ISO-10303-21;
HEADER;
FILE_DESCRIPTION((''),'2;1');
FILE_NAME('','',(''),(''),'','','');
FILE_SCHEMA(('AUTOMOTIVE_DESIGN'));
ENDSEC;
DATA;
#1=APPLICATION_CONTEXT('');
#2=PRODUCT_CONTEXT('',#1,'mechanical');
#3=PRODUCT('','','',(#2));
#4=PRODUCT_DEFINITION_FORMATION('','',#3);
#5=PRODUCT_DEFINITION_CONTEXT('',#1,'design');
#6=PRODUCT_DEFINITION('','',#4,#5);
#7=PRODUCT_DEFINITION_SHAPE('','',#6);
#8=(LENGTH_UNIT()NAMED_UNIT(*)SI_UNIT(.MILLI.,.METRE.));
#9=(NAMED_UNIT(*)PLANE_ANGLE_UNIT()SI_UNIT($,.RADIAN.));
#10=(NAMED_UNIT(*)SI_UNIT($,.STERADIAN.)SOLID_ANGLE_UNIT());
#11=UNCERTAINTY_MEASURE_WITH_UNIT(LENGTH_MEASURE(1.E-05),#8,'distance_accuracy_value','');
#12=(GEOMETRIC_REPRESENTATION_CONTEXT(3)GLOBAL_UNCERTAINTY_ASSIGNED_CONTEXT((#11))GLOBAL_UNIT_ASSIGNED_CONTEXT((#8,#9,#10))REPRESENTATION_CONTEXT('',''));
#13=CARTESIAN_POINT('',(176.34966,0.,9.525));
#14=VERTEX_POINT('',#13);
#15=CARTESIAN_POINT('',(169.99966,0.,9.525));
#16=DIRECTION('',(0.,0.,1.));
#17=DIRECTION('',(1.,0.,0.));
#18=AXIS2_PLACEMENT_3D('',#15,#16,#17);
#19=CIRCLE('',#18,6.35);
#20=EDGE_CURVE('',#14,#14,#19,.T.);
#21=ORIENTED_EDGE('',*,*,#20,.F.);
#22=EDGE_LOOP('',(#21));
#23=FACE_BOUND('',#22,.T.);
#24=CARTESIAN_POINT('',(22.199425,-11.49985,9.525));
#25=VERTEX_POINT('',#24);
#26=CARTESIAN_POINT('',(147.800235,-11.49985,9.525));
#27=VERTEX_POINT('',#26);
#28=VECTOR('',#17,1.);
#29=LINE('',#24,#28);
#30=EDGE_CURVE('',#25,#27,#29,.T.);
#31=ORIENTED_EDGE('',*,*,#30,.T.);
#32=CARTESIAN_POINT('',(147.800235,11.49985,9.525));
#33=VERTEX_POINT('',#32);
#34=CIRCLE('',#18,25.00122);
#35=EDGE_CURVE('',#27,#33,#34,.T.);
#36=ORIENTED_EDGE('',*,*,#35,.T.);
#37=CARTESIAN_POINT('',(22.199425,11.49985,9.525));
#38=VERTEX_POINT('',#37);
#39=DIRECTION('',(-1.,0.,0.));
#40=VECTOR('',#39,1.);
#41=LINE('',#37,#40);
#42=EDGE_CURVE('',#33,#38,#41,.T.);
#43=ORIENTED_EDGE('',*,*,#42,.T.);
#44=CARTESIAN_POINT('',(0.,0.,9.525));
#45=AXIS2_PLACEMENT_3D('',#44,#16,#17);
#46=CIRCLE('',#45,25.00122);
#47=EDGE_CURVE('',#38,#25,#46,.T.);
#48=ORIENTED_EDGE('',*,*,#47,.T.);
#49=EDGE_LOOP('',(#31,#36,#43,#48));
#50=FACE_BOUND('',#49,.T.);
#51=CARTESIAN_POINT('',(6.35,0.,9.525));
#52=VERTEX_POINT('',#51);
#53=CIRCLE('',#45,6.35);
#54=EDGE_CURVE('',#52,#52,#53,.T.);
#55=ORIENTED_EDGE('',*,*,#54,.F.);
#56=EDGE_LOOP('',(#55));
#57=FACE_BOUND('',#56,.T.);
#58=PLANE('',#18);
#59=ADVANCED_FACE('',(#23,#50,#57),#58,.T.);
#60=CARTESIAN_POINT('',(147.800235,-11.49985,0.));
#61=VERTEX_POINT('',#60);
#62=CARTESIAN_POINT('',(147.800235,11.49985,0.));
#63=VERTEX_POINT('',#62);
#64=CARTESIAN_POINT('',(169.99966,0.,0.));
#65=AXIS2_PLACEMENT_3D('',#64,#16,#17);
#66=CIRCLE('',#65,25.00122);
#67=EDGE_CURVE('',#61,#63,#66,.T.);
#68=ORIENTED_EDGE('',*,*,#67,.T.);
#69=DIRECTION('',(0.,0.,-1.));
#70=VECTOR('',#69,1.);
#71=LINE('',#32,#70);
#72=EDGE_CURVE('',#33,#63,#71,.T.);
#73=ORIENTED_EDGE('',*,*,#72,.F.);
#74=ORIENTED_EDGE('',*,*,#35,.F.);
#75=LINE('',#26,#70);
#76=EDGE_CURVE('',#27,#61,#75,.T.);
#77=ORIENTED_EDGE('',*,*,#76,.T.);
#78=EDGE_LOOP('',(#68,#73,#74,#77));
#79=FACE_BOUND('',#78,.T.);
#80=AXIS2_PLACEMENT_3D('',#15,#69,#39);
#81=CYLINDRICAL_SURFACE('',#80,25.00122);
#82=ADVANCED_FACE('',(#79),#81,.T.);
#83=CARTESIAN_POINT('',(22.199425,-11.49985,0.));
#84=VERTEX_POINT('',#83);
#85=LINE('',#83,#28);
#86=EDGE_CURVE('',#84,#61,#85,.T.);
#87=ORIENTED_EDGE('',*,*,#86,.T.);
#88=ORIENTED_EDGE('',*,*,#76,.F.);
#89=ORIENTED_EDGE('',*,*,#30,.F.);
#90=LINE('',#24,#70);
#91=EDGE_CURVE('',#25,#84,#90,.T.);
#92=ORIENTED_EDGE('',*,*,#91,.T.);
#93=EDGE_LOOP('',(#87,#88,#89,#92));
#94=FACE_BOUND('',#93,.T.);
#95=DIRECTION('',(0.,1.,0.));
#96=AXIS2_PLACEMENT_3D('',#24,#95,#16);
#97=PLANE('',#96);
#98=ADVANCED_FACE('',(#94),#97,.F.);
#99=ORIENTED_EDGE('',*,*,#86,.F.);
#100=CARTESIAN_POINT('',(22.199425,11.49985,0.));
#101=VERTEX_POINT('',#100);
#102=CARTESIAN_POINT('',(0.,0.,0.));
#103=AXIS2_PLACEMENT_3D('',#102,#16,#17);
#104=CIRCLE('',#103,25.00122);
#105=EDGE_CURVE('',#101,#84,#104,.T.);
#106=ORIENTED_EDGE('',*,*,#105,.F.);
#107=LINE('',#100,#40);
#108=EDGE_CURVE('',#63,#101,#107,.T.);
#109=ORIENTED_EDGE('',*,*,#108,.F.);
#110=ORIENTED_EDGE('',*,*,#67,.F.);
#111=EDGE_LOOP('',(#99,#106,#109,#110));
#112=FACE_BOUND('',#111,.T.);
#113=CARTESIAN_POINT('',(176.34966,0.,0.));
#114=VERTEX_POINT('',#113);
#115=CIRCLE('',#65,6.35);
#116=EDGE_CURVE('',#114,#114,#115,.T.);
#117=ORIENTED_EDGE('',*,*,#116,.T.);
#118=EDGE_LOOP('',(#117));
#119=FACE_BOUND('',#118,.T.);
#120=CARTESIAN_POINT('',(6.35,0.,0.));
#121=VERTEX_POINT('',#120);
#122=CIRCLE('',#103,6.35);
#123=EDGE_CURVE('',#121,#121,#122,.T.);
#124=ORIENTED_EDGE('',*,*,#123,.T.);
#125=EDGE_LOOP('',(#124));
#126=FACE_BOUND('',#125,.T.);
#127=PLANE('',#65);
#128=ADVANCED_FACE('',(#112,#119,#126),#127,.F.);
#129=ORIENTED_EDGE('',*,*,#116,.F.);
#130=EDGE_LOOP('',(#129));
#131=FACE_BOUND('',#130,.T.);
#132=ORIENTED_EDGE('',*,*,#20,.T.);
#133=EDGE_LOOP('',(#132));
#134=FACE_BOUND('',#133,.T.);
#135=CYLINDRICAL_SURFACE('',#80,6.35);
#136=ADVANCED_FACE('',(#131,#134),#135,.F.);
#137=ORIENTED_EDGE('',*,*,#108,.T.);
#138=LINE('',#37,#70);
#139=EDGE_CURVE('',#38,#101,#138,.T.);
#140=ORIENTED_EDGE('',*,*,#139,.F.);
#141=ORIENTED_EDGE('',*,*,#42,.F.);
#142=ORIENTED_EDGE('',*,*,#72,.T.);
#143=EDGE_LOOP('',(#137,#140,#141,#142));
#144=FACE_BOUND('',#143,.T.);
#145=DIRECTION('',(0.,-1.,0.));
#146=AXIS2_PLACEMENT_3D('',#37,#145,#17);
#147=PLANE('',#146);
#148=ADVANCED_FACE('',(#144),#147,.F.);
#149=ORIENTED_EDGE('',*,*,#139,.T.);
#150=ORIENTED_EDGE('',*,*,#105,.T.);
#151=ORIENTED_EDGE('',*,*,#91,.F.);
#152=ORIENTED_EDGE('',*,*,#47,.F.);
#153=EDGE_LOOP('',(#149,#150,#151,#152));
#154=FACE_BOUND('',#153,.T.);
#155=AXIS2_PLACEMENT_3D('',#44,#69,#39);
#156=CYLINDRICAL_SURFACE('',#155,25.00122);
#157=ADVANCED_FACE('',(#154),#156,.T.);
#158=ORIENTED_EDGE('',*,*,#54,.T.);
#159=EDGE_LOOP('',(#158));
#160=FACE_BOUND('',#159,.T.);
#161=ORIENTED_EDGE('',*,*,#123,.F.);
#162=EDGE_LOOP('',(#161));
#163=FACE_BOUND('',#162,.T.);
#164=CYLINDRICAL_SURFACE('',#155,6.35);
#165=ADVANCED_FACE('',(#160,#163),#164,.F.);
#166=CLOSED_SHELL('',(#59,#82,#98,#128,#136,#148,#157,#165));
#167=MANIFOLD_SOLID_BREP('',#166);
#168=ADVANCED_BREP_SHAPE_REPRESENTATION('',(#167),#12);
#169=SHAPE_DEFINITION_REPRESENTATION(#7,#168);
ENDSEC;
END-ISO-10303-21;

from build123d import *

# Parameters (mm, degrees)
SKETCH1_R           = 6.35
BOSS_EXTRUDE1_DEPTH = 9.525


with BuildPart() as part:
    # Sketch1 → Boss-Extrude1 (new body)
    with BuildSketch(Plane.XY):
        with BuildLine():
            Line((22.199424575, 11.49985), (147.800235425, 11.49985))
            ThreePointArc((147.800235425, 11.49985), (195.00088, 0), (147.800235425, -11.49985))
            Line((147.800235425, -11.49985), (22.199424575, -11.49985))
            ThreePointArc((22.199424575, -11.49985), (-25.00122, 0), (22.199424575, 11.49985))
        make_face()
        Circle(SKETCH1_R, mode=Mode.SUBTRACT)
        with Locations((169.99966, 0)):
            Circle(SKETCH1_R, mode=Mode.SUBTRACT)
    extrude(amount=BOSS_EXTRUDE1_DEPTH)


solid = part.part
